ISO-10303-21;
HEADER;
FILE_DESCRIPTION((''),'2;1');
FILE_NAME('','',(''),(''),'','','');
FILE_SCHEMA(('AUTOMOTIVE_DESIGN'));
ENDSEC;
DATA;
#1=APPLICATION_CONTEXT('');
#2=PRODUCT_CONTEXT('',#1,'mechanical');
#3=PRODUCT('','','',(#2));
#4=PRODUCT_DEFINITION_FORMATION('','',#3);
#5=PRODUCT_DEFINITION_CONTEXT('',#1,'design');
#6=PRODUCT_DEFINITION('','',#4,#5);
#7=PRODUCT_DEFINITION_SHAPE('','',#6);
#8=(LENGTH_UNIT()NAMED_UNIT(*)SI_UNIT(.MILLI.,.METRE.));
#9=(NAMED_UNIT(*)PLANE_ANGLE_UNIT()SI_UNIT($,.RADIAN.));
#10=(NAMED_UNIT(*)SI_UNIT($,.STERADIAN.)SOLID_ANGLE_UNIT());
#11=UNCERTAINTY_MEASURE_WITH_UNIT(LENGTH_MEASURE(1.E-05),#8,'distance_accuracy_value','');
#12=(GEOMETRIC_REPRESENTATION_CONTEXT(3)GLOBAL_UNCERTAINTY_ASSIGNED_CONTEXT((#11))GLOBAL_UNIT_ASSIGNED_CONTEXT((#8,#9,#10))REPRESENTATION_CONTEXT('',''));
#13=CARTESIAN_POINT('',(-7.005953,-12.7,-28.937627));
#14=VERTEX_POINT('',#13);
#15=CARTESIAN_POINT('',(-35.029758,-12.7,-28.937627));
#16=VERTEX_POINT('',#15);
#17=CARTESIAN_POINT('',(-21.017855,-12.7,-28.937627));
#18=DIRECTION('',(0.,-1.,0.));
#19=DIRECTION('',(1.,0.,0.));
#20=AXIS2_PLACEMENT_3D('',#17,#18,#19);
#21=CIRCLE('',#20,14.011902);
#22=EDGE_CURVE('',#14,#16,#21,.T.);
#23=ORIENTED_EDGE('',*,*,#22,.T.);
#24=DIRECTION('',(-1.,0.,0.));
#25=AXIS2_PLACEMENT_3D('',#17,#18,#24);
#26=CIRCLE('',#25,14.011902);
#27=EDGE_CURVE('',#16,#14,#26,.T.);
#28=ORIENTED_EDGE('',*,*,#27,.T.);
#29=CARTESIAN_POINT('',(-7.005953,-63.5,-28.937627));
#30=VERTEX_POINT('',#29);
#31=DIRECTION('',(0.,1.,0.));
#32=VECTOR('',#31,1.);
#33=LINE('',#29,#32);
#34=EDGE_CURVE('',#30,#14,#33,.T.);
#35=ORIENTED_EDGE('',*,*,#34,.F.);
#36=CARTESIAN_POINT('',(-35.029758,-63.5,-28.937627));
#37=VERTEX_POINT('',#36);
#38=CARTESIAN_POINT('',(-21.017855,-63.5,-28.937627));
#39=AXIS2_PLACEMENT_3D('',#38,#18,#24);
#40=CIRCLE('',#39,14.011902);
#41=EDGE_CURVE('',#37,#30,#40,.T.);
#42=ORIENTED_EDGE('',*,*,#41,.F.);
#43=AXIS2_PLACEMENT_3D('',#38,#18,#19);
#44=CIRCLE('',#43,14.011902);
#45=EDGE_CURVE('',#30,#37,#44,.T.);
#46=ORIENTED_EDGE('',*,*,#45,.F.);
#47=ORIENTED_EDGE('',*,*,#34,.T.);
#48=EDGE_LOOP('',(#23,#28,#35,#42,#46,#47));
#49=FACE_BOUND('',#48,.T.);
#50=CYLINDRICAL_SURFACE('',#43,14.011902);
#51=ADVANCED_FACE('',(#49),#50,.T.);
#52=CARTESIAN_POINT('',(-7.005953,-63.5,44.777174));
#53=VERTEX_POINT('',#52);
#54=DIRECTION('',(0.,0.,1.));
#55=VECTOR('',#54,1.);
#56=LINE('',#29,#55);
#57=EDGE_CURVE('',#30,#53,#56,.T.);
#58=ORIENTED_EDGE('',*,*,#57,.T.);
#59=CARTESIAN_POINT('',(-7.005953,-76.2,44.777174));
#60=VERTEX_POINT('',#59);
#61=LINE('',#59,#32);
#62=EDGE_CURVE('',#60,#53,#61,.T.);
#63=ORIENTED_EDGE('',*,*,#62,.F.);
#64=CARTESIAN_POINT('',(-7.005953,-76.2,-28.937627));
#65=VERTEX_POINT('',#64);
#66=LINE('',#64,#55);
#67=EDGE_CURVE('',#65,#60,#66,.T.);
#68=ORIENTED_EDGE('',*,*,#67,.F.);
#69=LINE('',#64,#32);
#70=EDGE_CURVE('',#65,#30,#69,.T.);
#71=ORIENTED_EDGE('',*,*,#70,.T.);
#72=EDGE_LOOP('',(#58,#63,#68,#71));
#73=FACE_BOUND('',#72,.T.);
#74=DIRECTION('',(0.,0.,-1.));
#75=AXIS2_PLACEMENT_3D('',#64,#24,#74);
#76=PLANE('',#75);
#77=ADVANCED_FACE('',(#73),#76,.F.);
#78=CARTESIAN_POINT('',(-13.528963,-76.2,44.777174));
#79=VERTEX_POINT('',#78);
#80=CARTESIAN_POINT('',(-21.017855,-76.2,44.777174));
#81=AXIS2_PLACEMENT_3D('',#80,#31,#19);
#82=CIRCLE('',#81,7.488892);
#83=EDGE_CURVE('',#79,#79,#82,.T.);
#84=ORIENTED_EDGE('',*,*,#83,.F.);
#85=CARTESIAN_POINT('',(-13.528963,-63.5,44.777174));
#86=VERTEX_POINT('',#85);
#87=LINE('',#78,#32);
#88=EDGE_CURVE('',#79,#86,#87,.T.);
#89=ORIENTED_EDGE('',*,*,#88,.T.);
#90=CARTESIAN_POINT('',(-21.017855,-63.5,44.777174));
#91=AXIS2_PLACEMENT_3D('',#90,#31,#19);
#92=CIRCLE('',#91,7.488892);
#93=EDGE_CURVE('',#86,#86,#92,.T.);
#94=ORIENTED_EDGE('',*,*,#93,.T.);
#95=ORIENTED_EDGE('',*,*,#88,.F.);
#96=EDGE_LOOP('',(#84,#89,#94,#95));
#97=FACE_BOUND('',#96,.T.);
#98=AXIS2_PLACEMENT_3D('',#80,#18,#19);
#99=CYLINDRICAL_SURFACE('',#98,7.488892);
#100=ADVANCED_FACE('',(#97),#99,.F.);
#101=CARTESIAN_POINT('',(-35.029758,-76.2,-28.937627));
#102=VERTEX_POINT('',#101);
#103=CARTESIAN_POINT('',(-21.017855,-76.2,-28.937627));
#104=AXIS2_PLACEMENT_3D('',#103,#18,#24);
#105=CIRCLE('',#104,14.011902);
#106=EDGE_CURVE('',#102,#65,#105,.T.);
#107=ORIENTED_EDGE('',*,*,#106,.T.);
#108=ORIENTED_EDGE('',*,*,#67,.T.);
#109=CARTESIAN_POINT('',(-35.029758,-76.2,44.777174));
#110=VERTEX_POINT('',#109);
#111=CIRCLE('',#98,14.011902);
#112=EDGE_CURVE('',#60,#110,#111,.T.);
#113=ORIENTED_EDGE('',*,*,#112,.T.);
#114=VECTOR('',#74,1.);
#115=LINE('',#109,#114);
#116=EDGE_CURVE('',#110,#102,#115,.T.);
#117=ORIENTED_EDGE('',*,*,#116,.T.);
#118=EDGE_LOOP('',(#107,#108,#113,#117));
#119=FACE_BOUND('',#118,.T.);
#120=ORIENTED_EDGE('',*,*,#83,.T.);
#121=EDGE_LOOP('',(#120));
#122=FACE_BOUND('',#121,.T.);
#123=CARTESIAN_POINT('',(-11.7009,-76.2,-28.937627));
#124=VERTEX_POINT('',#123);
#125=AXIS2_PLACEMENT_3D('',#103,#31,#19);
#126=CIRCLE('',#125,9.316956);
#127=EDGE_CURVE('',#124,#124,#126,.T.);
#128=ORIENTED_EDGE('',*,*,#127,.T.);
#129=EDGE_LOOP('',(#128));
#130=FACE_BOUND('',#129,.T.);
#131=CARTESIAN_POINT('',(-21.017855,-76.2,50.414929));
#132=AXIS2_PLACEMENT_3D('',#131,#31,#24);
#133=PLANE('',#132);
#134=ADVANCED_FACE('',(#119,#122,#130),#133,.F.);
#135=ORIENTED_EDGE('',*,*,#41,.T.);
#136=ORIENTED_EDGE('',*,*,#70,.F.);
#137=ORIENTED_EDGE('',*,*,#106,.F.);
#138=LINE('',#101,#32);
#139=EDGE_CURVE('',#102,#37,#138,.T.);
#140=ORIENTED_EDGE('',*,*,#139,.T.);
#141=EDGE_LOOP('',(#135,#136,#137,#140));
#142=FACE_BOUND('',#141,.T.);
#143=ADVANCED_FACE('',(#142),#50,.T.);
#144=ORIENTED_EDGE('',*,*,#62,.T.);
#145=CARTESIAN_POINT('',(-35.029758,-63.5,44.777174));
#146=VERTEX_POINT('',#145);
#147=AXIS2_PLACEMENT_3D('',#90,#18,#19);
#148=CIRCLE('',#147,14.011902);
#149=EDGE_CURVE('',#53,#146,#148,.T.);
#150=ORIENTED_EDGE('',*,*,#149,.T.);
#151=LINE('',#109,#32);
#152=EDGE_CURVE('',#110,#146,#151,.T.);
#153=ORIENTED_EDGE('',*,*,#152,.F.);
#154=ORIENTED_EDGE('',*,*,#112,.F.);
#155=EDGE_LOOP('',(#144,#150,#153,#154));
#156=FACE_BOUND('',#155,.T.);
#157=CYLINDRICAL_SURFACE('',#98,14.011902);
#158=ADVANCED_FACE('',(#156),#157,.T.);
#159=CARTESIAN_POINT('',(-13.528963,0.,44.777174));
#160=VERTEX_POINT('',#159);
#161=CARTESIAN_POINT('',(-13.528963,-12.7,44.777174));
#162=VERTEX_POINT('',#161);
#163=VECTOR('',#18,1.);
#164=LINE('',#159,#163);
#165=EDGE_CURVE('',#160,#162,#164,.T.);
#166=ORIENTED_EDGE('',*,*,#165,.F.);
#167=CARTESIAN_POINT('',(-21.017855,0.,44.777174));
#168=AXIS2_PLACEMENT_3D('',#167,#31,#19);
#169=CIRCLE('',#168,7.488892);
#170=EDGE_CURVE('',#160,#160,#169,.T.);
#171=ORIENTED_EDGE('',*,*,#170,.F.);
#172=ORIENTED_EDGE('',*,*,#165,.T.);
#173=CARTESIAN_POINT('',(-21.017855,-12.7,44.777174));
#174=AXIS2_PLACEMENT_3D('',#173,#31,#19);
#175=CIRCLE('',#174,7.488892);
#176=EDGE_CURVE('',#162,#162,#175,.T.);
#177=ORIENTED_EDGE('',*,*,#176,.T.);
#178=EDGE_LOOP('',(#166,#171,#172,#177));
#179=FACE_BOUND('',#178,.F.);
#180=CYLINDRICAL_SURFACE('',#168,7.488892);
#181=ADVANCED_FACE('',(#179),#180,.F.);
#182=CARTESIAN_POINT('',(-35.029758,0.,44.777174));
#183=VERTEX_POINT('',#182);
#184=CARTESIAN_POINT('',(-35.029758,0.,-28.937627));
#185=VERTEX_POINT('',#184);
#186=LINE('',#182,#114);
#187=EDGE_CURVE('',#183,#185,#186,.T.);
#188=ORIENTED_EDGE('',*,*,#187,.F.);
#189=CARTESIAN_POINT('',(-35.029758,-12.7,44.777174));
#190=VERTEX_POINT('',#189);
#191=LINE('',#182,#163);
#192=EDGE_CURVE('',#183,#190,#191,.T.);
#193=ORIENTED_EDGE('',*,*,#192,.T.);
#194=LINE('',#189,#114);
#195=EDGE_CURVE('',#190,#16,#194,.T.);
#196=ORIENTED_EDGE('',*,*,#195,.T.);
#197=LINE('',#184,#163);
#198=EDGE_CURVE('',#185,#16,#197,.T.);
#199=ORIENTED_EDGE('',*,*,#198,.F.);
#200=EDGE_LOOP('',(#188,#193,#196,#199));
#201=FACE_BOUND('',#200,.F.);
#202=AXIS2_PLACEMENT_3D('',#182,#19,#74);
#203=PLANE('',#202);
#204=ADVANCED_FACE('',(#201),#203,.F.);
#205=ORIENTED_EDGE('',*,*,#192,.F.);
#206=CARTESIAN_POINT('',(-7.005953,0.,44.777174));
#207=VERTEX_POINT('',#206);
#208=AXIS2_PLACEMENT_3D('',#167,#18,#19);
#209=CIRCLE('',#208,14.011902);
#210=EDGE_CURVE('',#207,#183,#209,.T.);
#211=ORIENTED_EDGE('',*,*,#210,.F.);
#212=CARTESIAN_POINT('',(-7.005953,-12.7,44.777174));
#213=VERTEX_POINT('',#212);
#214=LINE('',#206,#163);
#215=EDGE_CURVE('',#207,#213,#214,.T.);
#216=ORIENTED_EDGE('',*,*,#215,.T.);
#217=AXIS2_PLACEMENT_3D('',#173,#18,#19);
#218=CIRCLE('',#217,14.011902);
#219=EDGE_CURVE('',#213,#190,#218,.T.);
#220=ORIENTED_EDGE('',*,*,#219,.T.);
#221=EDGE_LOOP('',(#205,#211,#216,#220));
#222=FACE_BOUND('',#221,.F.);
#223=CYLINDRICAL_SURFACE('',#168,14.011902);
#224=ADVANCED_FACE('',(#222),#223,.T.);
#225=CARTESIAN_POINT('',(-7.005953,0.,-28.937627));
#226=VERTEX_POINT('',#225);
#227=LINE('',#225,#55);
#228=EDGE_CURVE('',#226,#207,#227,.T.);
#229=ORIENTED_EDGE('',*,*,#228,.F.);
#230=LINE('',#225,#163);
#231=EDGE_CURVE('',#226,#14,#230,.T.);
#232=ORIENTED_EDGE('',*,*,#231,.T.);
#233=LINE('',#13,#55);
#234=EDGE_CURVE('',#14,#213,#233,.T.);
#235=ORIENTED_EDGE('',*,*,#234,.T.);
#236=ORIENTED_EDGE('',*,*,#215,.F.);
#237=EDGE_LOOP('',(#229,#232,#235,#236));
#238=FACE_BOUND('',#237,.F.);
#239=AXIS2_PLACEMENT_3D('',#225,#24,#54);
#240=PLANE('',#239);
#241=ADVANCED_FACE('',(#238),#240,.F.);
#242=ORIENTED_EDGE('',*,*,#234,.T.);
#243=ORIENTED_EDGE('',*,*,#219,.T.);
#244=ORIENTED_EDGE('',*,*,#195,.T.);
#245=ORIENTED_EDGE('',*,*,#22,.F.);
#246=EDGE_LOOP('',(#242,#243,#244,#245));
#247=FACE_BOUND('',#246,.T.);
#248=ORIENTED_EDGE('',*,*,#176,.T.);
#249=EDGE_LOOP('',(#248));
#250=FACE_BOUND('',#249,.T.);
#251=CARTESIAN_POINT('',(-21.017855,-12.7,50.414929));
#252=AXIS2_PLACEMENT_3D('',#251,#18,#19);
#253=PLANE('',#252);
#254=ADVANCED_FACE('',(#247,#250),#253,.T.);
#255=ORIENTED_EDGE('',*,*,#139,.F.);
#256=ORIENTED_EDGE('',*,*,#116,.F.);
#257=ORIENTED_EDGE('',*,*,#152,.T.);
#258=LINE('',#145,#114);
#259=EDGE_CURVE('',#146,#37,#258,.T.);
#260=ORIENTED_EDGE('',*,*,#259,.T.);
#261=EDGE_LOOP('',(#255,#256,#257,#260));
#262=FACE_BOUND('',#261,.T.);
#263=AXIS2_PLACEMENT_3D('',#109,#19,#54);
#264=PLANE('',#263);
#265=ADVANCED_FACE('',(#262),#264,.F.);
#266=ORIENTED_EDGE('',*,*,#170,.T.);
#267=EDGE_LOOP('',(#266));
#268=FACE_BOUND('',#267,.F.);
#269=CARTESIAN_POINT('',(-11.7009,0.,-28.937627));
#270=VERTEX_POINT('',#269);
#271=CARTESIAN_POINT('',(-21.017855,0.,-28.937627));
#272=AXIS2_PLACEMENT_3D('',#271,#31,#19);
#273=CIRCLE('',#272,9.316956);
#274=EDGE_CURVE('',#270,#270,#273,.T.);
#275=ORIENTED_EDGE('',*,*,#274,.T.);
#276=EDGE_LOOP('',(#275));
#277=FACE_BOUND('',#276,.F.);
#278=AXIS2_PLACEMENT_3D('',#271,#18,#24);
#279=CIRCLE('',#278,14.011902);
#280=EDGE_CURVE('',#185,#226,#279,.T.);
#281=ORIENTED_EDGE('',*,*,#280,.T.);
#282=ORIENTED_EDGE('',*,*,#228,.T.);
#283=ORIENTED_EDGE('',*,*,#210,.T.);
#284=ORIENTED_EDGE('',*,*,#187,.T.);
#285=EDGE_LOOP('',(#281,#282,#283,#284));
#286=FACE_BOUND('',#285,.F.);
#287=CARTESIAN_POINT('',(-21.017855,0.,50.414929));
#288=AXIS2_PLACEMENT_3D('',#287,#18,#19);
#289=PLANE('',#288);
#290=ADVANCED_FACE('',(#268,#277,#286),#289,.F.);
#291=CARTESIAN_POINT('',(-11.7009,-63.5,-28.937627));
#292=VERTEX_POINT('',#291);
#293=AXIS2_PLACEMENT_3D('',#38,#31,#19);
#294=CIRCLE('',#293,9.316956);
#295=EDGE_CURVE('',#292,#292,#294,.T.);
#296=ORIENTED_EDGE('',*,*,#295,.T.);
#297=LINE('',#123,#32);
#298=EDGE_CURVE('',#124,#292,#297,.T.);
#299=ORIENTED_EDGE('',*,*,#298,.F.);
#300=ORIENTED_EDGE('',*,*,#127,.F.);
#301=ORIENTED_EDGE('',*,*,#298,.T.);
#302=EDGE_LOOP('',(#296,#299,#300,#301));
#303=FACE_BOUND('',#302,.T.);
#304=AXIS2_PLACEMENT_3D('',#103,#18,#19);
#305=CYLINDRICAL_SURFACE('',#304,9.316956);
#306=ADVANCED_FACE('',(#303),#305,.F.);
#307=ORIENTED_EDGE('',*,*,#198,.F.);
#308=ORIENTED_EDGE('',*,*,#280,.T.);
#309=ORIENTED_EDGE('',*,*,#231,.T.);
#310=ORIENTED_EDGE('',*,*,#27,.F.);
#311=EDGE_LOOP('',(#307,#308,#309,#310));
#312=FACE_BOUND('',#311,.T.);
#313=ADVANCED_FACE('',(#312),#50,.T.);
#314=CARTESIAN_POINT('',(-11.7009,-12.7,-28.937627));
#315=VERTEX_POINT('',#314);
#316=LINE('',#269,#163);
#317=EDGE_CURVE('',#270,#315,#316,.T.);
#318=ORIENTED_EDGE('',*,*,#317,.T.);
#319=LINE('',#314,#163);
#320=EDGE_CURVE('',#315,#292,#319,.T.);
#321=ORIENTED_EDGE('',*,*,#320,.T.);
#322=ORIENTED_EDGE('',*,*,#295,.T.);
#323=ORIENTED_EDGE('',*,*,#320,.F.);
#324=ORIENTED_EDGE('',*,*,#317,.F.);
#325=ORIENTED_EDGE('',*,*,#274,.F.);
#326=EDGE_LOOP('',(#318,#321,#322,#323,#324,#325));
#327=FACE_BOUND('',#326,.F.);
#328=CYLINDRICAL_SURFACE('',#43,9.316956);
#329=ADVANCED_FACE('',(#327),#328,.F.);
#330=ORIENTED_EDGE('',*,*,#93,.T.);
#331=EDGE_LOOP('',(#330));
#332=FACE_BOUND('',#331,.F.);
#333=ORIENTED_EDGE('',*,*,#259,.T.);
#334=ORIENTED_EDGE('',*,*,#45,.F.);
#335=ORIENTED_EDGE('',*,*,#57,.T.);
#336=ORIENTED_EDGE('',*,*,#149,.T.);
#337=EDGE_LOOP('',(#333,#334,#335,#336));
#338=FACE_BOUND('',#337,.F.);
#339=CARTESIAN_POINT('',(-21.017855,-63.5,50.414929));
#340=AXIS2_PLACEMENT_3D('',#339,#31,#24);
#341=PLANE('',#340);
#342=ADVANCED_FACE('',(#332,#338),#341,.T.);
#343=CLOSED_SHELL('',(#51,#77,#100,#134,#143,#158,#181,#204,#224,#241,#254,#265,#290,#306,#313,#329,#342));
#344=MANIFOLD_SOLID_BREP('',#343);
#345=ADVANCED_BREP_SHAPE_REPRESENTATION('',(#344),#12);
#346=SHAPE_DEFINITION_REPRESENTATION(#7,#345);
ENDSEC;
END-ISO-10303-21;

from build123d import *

# Parameters (mm, degrees)
F1_DEPTH = 12.7
F2_R     = 9.316955817
F3_DEPTH = 25.4


with BuildPart() as f1:
    # F0 (on Front) → F1 (new body)
    with BuildSketch(Plane.XZ):
        with BuildLine():
            ThreePointArc((-28.5067475531, 44.7771735489), (-21.0178554989, 52.2660656031), (-13.5289634447, 44.7771735489))
            Line((-13.5289634447, 44.7771735489), (-7.00595323, 44.7771735489))
            ThreePointArc((-7.00595323, 44.7771735489), (-21.0178554989, 58.7890758179), (-35.0297577679, 44.7771735489))
            Line((-35.0297577679, 44.7771735489), (-28.5067475531, 44.7771735489))
        make_face()
        with BuildLine():
            Line((-7.00595323, 44.7771735489), (-13.5289634447, 44.7771735489))
            ThreePointArc((-13.5289634447, 44.7771735489), (-21.0178554989, 37.2882814947), (-28.5067475531, 44.7771735489))
            Line((-28.5067475531, 44.7771735489), (-35.0297577679, 44.7771735489))
            Line((-35.0297577679, 44.7771735489), (-35.0297577679, -28.9376266301))
            Line((-35.0297577679, -28.9376266301), (-30.3348113159, -28.9376266301))
            ThreePointArc((-30.3348113159, -28.9376266301), (-21.0178554989, -19.6206708131), (-11.700899682, -28.9376266301))
            Line((-11.700899682, -28.9376266301), (-7.00595323, -28.9376266301))
            Line((-7.00595323, -28.9376266301), (-7.00595323, 44.7771735489))
        make_face()
        with BuildLine():
            ThreePointArc((-35.0297577679, -28.9376266301), (-21.0178554989, -42.949528899), (-7.00595323, -28.9376266301))
            Line((-7.00595323, -28.9376266301), (-11.700899682, -28.9376266301))
            ThreePointArc((-11.700899682, -28.9376266301), (-21.0178554989, -38.254582447), (-30.3348113159, -28.9376266301))
            Line((-30.3348113159, -28.9376266301), (-35.0297577679, -28.9376266301))
        make_face()
    extrude(amount=F1_DEPTH)

    # F2 (on face) → F3 (join)
    with BuildSketch(Plane.XZ.offset(12.7)):
        with BuildLine():
            ThreePointArc((-35.0297577679, -28.9376266301), (-21.0178554989, -42.949528899), (-7.00595323, -28.9376266301))
            ThreePointArc((-7.00595323, -28.9376266301), (-21.0178554989, -14.9257243611), (-35.0297577679, -28.9376266301))
        make_face()
        with Locations((-21.0178554989, -28.9376266301)):
            Circle(F2_R, mode=Mode.SUBTRACT)
    extrude(amount=F3_DEPTH)

    # F4: F1 across face


with BuildPart() as f1_1:
    add(f1.part)
    add(f1.part.mirror(Plane(origin=(-21.0178554989, -38.1, -28.9376266301), x_dir=(1, 0, 0), z_dir=(0, -1, 0))))


solid = f1_1.part
